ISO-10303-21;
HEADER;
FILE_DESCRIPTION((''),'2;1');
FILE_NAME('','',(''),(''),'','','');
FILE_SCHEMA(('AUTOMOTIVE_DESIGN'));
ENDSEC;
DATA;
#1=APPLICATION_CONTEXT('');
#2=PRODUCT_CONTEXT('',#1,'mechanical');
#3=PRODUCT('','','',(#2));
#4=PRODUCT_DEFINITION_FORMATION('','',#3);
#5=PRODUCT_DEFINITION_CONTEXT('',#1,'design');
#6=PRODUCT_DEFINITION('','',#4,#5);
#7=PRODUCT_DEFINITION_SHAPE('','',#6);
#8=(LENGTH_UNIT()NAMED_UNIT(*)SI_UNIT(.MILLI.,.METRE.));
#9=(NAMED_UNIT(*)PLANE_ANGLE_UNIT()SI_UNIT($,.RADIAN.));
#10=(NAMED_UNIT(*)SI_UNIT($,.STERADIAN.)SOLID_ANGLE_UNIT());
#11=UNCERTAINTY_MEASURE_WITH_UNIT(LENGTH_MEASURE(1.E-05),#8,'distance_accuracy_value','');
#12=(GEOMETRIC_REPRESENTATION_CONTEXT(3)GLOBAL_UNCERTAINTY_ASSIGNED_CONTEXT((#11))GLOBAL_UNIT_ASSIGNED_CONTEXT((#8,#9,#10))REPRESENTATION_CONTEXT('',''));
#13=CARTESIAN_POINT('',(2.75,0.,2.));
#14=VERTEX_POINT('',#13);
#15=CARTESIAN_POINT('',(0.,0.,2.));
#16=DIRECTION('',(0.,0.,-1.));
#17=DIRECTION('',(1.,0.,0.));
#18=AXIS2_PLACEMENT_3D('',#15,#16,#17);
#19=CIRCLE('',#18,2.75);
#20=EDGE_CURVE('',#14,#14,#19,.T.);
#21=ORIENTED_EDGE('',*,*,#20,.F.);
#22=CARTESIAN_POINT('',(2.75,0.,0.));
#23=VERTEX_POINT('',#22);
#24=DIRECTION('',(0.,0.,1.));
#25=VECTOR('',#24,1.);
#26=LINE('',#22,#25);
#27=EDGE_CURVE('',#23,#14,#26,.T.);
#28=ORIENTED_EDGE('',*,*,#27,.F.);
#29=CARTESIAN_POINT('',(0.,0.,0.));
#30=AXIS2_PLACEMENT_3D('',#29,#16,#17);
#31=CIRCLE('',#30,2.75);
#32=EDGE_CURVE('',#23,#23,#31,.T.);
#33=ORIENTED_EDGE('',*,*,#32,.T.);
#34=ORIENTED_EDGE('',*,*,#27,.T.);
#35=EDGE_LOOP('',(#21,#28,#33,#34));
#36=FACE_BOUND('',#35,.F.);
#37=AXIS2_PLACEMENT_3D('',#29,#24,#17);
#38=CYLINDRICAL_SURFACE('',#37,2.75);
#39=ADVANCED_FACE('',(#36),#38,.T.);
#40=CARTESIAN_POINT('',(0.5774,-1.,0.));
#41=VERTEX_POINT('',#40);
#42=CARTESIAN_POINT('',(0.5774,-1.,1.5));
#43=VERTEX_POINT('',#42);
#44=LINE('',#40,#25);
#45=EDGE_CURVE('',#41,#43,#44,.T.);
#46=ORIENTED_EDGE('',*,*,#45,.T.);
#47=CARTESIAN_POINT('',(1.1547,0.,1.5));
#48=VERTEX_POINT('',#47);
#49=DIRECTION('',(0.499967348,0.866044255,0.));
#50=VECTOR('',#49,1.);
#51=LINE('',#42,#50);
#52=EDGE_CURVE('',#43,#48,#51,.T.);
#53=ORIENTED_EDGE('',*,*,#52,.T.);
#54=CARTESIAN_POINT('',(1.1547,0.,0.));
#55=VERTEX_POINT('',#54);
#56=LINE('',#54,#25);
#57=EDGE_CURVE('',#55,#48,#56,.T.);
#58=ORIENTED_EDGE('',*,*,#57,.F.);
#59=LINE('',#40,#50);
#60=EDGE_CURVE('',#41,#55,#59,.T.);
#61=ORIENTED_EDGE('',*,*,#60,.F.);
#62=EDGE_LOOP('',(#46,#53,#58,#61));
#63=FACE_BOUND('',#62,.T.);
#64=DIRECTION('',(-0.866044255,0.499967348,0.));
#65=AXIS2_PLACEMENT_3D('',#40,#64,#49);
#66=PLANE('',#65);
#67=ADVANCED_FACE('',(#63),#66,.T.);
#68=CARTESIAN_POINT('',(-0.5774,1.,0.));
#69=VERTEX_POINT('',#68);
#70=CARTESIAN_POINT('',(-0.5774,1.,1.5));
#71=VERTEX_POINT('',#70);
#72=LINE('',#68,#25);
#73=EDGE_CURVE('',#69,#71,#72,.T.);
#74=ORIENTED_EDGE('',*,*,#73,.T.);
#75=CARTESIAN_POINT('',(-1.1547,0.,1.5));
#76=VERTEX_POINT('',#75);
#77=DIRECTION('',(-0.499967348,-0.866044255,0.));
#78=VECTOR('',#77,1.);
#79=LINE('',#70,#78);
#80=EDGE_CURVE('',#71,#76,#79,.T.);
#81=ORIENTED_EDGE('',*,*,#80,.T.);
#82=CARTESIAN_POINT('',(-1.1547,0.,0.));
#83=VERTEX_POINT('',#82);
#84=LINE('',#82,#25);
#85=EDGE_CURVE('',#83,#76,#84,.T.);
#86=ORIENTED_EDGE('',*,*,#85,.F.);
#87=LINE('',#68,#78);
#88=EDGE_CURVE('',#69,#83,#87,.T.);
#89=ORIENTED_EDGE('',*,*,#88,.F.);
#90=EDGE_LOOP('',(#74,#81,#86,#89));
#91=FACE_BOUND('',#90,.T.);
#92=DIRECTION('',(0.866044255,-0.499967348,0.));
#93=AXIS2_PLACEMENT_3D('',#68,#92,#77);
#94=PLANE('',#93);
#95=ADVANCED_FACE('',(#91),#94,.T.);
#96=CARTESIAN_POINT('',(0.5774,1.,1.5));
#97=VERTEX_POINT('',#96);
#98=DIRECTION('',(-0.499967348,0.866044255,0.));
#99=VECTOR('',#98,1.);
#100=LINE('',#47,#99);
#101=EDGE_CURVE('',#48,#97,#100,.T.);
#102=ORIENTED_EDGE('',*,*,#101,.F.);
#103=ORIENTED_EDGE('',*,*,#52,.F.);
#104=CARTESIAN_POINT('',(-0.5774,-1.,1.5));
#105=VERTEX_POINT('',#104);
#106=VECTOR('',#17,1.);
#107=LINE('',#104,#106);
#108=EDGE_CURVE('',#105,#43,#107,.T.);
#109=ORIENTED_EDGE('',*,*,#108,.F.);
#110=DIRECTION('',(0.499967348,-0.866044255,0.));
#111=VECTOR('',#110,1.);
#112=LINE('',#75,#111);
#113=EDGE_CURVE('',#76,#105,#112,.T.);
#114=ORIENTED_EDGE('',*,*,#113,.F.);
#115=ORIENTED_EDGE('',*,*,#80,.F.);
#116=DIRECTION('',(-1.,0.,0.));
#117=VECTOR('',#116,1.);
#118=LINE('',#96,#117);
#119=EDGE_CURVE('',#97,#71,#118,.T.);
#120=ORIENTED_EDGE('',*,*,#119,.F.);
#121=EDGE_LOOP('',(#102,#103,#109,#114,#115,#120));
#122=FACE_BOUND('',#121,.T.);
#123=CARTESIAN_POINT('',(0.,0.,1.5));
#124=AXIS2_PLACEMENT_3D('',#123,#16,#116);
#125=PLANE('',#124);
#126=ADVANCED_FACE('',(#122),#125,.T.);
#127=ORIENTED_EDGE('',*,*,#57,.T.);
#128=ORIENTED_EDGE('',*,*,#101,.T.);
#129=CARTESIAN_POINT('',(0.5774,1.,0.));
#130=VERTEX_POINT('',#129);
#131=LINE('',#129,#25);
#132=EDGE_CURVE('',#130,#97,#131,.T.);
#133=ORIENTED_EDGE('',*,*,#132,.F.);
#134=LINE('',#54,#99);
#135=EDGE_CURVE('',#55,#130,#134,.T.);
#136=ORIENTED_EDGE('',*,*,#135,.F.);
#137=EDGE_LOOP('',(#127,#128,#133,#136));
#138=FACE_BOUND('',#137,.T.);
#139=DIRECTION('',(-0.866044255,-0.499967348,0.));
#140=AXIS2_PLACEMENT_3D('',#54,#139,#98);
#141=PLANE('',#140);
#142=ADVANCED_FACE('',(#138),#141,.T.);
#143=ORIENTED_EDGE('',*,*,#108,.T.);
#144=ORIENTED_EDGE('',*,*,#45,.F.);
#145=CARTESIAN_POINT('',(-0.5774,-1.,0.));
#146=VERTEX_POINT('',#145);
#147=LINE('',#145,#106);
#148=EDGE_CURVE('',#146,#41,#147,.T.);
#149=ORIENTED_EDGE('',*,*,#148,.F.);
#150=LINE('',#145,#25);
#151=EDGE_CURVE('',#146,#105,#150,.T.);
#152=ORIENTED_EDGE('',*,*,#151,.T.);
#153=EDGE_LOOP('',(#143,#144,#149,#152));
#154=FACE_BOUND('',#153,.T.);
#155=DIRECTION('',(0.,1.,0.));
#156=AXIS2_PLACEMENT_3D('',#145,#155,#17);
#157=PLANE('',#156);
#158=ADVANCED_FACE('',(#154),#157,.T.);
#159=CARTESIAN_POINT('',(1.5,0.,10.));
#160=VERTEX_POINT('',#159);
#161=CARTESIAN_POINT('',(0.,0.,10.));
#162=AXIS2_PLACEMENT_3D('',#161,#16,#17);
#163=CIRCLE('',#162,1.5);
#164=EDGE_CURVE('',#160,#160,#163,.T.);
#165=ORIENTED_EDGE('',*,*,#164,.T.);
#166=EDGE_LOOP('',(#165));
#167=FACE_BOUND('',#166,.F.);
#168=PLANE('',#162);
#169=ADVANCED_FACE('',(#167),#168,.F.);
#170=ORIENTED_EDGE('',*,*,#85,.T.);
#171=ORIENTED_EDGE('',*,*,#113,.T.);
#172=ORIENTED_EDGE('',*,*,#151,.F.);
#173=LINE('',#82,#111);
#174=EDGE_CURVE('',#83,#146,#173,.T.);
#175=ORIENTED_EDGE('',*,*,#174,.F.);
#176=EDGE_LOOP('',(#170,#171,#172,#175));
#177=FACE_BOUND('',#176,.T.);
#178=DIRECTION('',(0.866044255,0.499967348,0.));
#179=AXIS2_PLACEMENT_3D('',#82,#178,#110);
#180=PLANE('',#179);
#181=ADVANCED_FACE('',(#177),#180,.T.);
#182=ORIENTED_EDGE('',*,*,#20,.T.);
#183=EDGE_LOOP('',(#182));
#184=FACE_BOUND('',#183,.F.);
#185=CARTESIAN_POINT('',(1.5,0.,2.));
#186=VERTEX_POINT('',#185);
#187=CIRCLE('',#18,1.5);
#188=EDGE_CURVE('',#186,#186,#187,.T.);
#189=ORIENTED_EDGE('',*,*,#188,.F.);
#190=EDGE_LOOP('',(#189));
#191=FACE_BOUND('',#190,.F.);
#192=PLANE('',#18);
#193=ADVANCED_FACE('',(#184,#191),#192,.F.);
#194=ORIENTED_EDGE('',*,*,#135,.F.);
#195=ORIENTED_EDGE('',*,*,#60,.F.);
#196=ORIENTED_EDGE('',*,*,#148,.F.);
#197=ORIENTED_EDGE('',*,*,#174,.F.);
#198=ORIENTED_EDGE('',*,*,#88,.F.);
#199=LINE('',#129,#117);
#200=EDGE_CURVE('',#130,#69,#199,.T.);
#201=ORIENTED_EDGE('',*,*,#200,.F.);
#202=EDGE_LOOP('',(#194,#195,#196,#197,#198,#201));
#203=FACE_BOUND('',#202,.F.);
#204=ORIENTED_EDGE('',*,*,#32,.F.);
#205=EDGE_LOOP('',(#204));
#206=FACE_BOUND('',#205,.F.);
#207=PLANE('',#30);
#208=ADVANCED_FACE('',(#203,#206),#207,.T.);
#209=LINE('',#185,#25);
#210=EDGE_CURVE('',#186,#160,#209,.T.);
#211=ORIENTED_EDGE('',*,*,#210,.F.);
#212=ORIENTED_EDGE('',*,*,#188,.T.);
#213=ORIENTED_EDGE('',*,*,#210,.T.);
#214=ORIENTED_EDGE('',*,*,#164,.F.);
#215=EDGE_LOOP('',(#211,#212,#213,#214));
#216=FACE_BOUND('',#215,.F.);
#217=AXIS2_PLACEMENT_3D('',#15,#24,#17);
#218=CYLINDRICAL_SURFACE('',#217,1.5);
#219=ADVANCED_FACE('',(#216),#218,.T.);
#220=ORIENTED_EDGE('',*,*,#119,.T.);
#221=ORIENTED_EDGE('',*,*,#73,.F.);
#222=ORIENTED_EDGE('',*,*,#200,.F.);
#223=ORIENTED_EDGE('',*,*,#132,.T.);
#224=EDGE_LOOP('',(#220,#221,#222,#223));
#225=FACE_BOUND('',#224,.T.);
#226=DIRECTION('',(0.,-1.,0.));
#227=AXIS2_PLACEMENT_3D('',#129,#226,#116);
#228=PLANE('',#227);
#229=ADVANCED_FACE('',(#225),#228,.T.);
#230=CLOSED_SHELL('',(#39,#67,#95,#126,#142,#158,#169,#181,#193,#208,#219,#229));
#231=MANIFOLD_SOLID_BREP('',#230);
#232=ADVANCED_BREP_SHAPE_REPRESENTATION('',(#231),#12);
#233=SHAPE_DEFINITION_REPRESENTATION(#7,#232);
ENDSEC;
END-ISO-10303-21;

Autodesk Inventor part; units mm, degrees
ref_plane "YZ Plane" through (0, 0, 0) normal (1, 0, 0) x (0, 1, 0)
ref_plane "XZ Plane" through (0, 0, 0) normal (0, 1, 0) x (-1, 0, 0)
ref_plane "XY Plane" through (0, 0, 0) normal (0, 0, 1) x (1, 0, 0)
sketch "Sketch1" plane through (0, 0, 0) normal (0, 1, 0) x (-1, 0, 0)
  line L0 (0, 0) -> (-2.75, 0)
  line L1 (-2.75, 0) -> (-2.75, 2)
  line L2 (-2.75, 2) -> (-1.5, 2)
  line L3 (-1.5, 2) -> (-1.5, 10)
  line L4 (-1.5, 10) -> (0, 10)
  line L5 (0, 10) -> (0, 0)
  dimension "ScrewLength" = 8
  dimension "Diameter" = 5.5
  dimension "Metric" = 3
  dimension "HeadLength" = 2
revolve "Revolution1" add sketch "Sketch1" angle 360 about axis through (0, 0, 10) along (0, 0, -1)
thread "Thread1" size "M3x0.5" class "6g" standard "ANSI Metric M Profile" full length
sketch "Sketch2" plane through (0, 0, 0) normal (0, 0, -1) x (-1, 0, 0)
  line L0 (0.5774, 1) -> (1.1547, 0)
  line L1 (1.1547, 0) -> (0.5774, -1)
  line L2 (0.5774, -1) -> (-0.5774, -1)
  line L3 (-0.5774, -1) -> (-1.1547, 0)
  line L4 (-1.1547, 0) -> (-0.5774, 1)
  line L5 (-0.5774, 1) -> (0.5774, 1)
  point P0 (0, 0)
  point P1 (0, 0)
  dimension "WidthAcrossFlat" = 2
extrude "Extrusion1" cut sketch "Sketch2" against normal blind 1.5
properties part number "ULC-0308" material "Stainless Steel AISI 304"
